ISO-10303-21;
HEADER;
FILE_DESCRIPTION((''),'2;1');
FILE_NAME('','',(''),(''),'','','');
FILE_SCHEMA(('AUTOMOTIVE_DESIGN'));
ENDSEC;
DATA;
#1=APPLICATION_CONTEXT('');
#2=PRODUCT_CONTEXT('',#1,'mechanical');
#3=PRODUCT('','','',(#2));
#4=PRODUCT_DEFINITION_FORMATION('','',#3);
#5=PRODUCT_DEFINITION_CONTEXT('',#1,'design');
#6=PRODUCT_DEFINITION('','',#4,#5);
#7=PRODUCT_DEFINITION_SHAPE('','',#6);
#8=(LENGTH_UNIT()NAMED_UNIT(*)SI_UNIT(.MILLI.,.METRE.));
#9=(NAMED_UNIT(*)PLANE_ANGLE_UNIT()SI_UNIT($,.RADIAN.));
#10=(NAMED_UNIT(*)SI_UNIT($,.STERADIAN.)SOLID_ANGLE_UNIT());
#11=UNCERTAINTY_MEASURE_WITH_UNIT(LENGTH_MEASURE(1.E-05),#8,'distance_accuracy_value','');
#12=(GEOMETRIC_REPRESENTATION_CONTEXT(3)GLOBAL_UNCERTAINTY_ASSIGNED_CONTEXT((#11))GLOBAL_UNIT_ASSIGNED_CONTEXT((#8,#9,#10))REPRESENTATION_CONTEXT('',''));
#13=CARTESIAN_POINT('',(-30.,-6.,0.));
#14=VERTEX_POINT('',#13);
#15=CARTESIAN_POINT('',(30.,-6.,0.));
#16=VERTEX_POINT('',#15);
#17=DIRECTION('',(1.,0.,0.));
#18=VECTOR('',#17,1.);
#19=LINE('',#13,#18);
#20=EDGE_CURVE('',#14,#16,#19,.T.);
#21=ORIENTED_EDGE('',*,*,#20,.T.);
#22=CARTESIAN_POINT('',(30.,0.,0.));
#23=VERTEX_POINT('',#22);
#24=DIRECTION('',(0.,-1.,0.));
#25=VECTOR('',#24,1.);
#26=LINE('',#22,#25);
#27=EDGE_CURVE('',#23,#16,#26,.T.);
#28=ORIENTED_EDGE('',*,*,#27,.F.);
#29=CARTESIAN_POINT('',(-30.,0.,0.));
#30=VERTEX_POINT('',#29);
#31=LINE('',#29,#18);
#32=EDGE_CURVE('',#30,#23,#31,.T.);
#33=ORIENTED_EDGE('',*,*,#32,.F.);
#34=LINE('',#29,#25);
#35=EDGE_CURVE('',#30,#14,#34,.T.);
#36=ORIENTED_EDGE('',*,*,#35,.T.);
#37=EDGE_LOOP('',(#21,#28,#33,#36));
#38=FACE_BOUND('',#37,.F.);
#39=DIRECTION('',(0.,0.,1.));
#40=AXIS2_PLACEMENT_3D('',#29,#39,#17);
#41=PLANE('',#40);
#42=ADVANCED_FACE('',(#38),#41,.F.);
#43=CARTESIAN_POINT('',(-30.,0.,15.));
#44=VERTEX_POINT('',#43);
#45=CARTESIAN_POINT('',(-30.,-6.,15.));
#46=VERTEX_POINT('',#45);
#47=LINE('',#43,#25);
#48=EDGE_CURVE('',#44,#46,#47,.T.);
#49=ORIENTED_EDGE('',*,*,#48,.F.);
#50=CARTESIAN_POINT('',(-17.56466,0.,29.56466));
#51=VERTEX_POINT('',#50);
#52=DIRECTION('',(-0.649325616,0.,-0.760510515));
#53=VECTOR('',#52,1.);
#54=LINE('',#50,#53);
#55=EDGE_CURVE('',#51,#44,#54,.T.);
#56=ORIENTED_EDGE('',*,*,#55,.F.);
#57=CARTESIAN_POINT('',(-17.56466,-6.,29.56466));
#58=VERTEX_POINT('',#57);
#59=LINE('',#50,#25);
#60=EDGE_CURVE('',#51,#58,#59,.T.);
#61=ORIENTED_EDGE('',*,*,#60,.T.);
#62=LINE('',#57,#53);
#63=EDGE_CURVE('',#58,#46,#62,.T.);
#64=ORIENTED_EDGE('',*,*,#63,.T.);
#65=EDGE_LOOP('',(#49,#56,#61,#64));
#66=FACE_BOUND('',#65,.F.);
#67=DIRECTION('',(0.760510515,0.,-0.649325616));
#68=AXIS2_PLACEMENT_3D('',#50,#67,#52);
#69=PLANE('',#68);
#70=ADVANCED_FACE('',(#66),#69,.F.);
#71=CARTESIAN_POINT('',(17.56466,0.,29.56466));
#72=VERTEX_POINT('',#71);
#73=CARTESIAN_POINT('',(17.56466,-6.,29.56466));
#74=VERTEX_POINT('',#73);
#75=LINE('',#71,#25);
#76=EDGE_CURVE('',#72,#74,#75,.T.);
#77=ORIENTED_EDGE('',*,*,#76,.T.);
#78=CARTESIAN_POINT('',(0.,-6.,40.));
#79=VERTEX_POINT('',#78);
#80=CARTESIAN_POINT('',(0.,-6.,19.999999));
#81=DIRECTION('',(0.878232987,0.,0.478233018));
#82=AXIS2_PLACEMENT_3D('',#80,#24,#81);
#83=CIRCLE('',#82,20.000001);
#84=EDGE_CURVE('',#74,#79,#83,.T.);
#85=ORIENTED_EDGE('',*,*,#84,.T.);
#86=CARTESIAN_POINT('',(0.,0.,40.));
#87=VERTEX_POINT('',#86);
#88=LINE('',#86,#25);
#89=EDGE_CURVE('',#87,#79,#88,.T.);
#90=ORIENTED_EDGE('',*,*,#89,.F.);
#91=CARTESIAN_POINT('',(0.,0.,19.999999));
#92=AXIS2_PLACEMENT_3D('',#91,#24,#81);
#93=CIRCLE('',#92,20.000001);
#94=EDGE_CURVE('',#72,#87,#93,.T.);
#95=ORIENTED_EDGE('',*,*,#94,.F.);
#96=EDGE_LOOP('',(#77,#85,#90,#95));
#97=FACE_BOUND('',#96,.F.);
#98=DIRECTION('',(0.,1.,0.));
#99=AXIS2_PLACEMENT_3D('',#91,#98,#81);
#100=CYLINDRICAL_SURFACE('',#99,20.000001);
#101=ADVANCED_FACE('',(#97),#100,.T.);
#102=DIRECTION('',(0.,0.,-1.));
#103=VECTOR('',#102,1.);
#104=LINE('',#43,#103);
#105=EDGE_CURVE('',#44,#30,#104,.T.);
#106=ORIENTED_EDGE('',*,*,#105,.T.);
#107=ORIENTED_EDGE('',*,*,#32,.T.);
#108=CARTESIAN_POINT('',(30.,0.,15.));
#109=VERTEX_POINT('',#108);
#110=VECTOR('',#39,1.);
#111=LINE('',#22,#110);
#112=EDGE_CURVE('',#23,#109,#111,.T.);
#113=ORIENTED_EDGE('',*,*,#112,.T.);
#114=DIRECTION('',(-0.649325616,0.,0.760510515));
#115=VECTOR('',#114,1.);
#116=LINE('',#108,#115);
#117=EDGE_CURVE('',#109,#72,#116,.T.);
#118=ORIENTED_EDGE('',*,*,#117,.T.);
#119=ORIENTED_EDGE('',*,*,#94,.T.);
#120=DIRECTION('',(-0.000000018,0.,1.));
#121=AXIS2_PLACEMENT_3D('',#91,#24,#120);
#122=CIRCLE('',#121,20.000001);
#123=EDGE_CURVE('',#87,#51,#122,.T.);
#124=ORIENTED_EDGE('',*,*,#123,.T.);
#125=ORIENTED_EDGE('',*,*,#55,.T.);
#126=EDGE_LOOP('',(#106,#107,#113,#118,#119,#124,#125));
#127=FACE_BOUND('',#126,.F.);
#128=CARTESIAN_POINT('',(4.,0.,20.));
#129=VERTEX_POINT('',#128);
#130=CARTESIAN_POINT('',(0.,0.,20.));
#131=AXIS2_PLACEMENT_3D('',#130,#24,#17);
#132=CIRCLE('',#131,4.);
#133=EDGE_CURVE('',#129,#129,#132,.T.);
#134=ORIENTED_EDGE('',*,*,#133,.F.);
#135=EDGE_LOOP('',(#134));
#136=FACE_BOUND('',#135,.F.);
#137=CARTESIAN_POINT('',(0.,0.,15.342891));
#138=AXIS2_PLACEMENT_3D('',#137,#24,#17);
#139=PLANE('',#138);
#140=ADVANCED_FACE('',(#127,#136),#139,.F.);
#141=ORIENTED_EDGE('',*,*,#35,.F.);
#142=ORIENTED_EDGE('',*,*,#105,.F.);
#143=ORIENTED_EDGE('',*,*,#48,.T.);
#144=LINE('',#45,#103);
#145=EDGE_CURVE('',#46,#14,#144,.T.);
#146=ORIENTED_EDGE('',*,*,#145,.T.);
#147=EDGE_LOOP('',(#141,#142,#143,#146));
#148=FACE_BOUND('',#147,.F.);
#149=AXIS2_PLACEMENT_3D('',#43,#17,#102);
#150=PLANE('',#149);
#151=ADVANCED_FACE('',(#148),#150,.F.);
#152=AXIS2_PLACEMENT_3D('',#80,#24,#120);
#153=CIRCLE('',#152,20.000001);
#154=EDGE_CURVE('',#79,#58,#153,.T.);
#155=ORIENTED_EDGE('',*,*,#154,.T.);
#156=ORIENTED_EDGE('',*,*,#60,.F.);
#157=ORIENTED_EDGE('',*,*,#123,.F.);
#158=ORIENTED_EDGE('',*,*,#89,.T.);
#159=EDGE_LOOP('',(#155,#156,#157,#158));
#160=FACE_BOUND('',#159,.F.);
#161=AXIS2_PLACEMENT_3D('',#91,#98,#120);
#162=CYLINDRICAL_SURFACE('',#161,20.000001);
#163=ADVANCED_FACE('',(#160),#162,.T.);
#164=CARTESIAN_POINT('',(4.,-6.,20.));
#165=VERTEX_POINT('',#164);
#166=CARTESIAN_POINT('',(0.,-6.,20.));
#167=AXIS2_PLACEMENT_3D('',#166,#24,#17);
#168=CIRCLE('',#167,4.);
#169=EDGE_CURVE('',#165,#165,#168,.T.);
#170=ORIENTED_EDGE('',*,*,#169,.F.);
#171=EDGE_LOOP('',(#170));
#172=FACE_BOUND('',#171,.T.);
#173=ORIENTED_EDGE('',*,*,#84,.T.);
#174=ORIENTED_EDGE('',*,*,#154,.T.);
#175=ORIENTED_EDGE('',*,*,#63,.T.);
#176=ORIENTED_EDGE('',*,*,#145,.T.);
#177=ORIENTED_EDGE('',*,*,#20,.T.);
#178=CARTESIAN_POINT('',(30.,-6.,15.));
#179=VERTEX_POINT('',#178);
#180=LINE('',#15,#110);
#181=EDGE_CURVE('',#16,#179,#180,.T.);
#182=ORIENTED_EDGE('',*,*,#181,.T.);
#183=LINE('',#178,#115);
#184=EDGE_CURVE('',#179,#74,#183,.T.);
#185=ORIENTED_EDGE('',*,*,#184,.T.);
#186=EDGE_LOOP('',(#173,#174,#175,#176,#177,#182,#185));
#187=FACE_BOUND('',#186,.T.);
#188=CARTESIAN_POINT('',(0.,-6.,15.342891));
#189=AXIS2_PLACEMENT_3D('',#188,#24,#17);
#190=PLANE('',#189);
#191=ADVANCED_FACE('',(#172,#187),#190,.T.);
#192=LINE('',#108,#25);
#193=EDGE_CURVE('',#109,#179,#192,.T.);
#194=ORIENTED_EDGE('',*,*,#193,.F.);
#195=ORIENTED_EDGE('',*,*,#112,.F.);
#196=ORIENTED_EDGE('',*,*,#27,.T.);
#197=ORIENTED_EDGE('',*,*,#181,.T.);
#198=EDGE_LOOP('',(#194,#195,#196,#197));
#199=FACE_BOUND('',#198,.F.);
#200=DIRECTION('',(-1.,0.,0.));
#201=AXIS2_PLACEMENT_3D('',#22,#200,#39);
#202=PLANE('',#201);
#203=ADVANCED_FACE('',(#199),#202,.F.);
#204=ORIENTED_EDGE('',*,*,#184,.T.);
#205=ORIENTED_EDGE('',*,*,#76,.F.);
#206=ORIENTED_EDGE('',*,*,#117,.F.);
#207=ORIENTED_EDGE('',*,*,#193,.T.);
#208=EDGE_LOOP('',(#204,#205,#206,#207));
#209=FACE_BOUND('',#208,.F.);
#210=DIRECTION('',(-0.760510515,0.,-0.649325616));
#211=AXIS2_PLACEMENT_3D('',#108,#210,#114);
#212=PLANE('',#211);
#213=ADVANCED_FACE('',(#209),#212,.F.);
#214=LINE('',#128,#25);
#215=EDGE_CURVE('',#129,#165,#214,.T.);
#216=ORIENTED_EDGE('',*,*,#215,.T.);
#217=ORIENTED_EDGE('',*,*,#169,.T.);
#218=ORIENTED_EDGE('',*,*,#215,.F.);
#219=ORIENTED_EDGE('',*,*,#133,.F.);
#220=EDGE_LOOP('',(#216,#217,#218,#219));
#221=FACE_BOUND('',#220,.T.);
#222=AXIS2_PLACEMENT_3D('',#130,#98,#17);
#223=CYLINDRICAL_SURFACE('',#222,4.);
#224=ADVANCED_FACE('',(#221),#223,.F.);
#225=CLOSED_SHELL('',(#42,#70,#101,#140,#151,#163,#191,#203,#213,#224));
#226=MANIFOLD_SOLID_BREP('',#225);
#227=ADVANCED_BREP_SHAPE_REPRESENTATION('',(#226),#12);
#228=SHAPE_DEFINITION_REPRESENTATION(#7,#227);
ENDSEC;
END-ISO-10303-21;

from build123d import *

# Parameters (mm, degrees)
F0_R     = 4
F1_DEPTH = 6


with BuildPart() as f1:
    # F0 (on Front) → F1 (new body)
    with BuildSketch(Plane.XZ):
        with BuildLine():
            Line((-30, 0), (0, 0))
            Line((0, 0), (30, 0))
            Line((30, 0), (30, 15))
            Line((30, 15), (17.56466, 29.56466))
            ThreePointArc((17.56466, 29.56466), (10.215351, 37.194377), (0, 40))
            ThreePointArc((0, 40), (-10.215351, 37.194377), (-17.56466, 29.56466))
            Line((-17.56466, 29.56466), (-30, 15))
            Line((-30, 15), (-30, 0))
        make_face()
        with Locations((0, 20)):
            Circle(F0_R, mode=Mode.SUBTRACT)
    extrude(amount=F1_DEPTH)


solid = f1.part
